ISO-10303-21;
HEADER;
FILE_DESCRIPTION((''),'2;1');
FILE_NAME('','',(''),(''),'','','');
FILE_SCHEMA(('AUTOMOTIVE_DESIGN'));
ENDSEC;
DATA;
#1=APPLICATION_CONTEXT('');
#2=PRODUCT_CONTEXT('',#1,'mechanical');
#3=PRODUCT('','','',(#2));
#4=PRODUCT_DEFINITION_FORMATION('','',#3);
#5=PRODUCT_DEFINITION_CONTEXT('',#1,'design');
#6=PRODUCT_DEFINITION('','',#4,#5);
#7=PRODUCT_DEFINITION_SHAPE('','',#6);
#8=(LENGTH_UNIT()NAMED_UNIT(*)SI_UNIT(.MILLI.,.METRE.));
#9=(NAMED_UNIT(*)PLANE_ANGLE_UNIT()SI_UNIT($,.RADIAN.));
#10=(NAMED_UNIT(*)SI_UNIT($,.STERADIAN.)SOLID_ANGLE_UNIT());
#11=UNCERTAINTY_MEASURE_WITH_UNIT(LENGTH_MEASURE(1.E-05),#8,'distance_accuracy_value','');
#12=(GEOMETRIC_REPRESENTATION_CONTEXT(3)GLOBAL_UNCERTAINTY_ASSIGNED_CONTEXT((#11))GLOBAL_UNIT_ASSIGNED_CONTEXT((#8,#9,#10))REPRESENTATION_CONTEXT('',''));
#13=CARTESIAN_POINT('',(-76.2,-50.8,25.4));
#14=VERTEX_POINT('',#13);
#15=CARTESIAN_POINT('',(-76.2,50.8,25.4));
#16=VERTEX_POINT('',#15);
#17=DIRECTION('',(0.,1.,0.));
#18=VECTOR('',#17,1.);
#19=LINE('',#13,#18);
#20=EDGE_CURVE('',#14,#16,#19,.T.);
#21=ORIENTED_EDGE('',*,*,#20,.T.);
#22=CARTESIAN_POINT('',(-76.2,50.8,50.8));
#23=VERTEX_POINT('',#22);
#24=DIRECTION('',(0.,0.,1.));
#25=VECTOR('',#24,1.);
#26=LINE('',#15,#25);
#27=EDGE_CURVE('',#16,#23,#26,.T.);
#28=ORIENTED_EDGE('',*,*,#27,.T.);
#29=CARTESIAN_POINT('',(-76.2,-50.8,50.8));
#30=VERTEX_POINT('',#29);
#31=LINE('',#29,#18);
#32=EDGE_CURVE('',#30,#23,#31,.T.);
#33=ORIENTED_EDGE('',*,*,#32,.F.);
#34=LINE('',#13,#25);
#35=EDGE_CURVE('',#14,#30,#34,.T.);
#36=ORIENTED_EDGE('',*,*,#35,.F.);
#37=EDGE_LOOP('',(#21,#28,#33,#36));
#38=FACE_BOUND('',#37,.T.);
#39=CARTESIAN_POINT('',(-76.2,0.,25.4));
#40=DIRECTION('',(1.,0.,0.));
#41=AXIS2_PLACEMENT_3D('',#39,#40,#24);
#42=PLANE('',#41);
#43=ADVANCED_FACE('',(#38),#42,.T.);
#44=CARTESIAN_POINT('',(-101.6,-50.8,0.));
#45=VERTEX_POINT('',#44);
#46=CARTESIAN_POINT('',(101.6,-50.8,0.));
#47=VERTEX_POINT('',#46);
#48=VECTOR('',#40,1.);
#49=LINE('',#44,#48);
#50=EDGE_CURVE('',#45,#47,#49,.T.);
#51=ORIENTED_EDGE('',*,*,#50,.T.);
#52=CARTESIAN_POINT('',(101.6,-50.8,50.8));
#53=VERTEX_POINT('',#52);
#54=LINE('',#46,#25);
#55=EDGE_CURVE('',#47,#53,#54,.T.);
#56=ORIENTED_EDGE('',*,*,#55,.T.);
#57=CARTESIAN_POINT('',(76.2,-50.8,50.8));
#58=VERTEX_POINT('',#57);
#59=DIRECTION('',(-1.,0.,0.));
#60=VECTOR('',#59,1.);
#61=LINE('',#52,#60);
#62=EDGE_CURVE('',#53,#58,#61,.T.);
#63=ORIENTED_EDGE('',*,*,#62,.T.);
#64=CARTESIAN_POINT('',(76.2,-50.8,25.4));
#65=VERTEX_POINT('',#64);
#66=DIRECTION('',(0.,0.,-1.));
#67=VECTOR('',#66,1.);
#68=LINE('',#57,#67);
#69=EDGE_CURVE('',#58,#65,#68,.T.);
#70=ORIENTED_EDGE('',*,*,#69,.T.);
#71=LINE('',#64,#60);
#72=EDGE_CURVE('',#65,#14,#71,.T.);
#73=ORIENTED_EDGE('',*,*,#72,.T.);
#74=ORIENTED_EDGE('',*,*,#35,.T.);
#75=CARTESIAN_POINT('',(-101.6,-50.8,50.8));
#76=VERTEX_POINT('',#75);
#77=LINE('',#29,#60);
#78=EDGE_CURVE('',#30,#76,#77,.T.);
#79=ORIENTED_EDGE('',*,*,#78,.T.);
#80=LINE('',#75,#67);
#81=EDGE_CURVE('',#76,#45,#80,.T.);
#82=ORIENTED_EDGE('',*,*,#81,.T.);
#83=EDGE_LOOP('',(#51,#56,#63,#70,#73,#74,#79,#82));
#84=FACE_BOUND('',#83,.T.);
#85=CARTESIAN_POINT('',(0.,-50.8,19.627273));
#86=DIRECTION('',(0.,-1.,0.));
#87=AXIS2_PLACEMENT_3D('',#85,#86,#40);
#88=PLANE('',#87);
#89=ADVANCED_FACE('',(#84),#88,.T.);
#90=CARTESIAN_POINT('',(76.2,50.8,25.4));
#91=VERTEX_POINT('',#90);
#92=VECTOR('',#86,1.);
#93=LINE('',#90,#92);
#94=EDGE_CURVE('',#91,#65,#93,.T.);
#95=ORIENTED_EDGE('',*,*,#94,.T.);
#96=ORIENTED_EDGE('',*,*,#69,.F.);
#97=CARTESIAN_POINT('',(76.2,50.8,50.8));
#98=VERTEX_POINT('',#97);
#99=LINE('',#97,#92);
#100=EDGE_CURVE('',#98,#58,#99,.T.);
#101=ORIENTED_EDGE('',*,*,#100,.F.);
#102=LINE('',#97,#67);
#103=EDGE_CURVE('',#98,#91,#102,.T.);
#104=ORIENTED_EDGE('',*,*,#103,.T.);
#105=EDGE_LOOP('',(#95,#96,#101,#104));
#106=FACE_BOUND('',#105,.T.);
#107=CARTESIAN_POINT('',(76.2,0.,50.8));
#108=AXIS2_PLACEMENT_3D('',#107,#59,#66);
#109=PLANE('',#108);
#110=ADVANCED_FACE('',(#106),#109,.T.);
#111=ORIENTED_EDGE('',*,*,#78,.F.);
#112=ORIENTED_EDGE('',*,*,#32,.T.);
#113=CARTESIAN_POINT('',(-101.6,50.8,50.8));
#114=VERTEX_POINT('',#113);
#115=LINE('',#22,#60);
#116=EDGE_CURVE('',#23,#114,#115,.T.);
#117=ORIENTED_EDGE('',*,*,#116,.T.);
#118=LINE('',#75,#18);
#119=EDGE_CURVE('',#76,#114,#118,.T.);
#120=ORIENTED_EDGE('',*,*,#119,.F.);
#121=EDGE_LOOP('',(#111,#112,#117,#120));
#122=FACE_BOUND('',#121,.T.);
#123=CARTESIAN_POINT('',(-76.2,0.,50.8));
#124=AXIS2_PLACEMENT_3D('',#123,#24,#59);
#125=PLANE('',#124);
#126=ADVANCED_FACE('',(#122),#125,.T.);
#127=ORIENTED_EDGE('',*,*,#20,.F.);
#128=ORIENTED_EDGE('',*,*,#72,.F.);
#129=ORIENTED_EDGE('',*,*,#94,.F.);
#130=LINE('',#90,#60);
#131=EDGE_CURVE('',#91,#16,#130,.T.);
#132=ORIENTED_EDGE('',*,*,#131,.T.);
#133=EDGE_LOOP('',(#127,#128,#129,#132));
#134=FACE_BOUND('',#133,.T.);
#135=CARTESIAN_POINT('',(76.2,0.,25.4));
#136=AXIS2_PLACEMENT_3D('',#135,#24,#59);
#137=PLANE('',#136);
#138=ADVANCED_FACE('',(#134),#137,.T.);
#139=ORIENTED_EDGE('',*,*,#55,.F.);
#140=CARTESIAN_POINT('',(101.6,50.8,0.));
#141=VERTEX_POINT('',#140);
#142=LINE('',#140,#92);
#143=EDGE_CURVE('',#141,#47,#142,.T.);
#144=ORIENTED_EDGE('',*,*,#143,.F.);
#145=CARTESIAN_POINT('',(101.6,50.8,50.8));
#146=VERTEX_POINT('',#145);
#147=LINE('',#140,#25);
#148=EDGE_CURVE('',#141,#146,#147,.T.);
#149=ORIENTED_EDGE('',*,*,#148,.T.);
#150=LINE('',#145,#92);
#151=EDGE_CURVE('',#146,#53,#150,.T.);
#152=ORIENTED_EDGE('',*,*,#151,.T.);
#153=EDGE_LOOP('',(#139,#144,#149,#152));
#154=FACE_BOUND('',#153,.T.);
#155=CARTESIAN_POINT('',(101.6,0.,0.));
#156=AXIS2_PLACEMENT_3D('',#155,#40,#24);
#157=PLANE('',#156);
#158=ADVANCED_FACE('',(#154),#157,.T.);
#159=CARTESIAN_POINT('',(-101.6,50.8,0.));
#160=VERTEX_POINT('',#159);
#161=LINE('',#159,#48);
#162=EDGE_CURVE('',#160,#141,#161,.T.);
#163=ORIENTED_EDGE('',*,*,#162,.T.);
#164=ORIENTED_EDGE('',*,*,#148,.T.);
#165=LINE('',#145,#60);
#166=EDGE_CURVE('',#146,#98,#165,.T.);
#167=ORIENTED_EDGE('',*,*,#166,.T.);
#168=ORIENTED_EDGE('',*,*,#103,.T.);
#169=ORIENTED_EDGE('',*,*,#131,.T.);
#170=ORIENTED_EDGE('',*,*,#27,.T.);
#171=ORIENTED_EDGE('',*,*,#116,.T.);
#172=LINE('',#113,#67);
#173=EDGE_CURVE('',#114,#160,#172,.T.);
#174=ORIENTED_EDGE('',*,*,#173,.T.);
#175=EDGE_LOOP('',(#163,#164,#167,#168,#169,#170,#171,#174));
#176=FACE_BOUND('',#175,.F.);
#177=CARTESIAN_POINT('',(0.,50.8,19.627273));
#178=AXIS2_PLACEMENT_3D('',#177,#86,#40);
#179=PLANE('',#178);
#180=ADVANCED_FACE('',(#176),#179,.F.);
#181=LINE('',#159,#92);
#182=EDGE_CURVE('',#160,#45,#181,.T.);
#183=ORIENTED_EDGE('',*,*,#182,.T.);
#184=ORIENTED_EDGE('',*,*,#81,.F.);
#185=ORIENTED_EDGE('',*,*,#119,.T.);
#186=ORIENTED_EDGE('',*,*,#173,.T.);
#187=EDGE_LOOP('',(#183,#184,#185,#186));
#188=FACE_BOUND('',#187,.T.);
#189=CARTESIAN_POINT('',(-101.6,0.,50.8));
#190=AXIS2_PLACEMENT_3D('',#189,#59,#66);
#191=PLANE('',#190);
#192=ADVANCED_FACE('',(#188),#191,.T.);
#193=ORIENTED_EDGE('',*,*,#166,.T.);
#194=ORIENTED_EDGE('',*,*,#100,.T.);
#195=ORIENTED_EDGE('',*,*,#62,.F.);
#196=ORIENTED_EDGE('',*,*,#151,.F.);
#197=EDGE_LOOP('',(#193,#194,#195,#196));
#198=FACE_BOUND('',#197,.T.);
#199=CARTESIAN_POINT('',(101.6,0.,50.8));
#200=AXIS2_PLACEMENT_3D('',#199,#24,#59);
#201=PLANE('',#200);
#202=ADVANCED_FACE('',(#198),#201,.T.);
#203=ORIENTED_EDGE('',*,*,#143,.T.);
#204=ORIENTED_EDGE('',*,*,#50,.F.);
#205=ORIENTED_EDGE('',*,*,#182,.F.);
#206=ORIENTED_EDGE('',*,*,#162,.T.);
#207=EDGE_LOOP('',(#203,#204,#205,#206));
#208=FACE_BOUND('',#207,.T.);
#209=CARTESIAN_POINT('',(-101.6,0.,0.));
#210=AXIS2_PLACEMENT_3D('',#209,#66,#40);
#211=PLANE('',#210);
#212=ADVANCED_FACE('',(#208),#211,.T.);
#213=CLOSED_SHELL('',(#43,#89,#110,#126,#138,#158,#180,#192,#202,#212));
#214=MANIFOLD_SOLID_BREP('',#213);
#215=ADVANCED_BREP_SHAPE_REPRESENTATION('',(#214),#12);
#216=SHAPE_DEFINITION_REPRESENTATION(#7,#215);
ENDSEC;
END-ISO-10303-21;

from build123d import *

# Parameters (mm, degrees)
F1_DEPTH      = 50.8
F1_DEPTH_BACK = 50.8


with BuildPart() as f1:
    # F0 (on Front) → F1 (new body, two sides)
    with BuildSketch(Plane.XZ) as f1_sk:
        Polygon((-101.6, 50.8), (-101.6, 0), (101.6, 0), (101.6, 50.8), (76.2, 50.8), (76.2, 25.4), (-76.2, 25.4), (-76.2, 50.8), align=None)
    extrude(amount=F1_DEPTH)
    extrude(f1_sk.sketch, amount=-F1_DEPTH_BACK)


solid = f1.part
